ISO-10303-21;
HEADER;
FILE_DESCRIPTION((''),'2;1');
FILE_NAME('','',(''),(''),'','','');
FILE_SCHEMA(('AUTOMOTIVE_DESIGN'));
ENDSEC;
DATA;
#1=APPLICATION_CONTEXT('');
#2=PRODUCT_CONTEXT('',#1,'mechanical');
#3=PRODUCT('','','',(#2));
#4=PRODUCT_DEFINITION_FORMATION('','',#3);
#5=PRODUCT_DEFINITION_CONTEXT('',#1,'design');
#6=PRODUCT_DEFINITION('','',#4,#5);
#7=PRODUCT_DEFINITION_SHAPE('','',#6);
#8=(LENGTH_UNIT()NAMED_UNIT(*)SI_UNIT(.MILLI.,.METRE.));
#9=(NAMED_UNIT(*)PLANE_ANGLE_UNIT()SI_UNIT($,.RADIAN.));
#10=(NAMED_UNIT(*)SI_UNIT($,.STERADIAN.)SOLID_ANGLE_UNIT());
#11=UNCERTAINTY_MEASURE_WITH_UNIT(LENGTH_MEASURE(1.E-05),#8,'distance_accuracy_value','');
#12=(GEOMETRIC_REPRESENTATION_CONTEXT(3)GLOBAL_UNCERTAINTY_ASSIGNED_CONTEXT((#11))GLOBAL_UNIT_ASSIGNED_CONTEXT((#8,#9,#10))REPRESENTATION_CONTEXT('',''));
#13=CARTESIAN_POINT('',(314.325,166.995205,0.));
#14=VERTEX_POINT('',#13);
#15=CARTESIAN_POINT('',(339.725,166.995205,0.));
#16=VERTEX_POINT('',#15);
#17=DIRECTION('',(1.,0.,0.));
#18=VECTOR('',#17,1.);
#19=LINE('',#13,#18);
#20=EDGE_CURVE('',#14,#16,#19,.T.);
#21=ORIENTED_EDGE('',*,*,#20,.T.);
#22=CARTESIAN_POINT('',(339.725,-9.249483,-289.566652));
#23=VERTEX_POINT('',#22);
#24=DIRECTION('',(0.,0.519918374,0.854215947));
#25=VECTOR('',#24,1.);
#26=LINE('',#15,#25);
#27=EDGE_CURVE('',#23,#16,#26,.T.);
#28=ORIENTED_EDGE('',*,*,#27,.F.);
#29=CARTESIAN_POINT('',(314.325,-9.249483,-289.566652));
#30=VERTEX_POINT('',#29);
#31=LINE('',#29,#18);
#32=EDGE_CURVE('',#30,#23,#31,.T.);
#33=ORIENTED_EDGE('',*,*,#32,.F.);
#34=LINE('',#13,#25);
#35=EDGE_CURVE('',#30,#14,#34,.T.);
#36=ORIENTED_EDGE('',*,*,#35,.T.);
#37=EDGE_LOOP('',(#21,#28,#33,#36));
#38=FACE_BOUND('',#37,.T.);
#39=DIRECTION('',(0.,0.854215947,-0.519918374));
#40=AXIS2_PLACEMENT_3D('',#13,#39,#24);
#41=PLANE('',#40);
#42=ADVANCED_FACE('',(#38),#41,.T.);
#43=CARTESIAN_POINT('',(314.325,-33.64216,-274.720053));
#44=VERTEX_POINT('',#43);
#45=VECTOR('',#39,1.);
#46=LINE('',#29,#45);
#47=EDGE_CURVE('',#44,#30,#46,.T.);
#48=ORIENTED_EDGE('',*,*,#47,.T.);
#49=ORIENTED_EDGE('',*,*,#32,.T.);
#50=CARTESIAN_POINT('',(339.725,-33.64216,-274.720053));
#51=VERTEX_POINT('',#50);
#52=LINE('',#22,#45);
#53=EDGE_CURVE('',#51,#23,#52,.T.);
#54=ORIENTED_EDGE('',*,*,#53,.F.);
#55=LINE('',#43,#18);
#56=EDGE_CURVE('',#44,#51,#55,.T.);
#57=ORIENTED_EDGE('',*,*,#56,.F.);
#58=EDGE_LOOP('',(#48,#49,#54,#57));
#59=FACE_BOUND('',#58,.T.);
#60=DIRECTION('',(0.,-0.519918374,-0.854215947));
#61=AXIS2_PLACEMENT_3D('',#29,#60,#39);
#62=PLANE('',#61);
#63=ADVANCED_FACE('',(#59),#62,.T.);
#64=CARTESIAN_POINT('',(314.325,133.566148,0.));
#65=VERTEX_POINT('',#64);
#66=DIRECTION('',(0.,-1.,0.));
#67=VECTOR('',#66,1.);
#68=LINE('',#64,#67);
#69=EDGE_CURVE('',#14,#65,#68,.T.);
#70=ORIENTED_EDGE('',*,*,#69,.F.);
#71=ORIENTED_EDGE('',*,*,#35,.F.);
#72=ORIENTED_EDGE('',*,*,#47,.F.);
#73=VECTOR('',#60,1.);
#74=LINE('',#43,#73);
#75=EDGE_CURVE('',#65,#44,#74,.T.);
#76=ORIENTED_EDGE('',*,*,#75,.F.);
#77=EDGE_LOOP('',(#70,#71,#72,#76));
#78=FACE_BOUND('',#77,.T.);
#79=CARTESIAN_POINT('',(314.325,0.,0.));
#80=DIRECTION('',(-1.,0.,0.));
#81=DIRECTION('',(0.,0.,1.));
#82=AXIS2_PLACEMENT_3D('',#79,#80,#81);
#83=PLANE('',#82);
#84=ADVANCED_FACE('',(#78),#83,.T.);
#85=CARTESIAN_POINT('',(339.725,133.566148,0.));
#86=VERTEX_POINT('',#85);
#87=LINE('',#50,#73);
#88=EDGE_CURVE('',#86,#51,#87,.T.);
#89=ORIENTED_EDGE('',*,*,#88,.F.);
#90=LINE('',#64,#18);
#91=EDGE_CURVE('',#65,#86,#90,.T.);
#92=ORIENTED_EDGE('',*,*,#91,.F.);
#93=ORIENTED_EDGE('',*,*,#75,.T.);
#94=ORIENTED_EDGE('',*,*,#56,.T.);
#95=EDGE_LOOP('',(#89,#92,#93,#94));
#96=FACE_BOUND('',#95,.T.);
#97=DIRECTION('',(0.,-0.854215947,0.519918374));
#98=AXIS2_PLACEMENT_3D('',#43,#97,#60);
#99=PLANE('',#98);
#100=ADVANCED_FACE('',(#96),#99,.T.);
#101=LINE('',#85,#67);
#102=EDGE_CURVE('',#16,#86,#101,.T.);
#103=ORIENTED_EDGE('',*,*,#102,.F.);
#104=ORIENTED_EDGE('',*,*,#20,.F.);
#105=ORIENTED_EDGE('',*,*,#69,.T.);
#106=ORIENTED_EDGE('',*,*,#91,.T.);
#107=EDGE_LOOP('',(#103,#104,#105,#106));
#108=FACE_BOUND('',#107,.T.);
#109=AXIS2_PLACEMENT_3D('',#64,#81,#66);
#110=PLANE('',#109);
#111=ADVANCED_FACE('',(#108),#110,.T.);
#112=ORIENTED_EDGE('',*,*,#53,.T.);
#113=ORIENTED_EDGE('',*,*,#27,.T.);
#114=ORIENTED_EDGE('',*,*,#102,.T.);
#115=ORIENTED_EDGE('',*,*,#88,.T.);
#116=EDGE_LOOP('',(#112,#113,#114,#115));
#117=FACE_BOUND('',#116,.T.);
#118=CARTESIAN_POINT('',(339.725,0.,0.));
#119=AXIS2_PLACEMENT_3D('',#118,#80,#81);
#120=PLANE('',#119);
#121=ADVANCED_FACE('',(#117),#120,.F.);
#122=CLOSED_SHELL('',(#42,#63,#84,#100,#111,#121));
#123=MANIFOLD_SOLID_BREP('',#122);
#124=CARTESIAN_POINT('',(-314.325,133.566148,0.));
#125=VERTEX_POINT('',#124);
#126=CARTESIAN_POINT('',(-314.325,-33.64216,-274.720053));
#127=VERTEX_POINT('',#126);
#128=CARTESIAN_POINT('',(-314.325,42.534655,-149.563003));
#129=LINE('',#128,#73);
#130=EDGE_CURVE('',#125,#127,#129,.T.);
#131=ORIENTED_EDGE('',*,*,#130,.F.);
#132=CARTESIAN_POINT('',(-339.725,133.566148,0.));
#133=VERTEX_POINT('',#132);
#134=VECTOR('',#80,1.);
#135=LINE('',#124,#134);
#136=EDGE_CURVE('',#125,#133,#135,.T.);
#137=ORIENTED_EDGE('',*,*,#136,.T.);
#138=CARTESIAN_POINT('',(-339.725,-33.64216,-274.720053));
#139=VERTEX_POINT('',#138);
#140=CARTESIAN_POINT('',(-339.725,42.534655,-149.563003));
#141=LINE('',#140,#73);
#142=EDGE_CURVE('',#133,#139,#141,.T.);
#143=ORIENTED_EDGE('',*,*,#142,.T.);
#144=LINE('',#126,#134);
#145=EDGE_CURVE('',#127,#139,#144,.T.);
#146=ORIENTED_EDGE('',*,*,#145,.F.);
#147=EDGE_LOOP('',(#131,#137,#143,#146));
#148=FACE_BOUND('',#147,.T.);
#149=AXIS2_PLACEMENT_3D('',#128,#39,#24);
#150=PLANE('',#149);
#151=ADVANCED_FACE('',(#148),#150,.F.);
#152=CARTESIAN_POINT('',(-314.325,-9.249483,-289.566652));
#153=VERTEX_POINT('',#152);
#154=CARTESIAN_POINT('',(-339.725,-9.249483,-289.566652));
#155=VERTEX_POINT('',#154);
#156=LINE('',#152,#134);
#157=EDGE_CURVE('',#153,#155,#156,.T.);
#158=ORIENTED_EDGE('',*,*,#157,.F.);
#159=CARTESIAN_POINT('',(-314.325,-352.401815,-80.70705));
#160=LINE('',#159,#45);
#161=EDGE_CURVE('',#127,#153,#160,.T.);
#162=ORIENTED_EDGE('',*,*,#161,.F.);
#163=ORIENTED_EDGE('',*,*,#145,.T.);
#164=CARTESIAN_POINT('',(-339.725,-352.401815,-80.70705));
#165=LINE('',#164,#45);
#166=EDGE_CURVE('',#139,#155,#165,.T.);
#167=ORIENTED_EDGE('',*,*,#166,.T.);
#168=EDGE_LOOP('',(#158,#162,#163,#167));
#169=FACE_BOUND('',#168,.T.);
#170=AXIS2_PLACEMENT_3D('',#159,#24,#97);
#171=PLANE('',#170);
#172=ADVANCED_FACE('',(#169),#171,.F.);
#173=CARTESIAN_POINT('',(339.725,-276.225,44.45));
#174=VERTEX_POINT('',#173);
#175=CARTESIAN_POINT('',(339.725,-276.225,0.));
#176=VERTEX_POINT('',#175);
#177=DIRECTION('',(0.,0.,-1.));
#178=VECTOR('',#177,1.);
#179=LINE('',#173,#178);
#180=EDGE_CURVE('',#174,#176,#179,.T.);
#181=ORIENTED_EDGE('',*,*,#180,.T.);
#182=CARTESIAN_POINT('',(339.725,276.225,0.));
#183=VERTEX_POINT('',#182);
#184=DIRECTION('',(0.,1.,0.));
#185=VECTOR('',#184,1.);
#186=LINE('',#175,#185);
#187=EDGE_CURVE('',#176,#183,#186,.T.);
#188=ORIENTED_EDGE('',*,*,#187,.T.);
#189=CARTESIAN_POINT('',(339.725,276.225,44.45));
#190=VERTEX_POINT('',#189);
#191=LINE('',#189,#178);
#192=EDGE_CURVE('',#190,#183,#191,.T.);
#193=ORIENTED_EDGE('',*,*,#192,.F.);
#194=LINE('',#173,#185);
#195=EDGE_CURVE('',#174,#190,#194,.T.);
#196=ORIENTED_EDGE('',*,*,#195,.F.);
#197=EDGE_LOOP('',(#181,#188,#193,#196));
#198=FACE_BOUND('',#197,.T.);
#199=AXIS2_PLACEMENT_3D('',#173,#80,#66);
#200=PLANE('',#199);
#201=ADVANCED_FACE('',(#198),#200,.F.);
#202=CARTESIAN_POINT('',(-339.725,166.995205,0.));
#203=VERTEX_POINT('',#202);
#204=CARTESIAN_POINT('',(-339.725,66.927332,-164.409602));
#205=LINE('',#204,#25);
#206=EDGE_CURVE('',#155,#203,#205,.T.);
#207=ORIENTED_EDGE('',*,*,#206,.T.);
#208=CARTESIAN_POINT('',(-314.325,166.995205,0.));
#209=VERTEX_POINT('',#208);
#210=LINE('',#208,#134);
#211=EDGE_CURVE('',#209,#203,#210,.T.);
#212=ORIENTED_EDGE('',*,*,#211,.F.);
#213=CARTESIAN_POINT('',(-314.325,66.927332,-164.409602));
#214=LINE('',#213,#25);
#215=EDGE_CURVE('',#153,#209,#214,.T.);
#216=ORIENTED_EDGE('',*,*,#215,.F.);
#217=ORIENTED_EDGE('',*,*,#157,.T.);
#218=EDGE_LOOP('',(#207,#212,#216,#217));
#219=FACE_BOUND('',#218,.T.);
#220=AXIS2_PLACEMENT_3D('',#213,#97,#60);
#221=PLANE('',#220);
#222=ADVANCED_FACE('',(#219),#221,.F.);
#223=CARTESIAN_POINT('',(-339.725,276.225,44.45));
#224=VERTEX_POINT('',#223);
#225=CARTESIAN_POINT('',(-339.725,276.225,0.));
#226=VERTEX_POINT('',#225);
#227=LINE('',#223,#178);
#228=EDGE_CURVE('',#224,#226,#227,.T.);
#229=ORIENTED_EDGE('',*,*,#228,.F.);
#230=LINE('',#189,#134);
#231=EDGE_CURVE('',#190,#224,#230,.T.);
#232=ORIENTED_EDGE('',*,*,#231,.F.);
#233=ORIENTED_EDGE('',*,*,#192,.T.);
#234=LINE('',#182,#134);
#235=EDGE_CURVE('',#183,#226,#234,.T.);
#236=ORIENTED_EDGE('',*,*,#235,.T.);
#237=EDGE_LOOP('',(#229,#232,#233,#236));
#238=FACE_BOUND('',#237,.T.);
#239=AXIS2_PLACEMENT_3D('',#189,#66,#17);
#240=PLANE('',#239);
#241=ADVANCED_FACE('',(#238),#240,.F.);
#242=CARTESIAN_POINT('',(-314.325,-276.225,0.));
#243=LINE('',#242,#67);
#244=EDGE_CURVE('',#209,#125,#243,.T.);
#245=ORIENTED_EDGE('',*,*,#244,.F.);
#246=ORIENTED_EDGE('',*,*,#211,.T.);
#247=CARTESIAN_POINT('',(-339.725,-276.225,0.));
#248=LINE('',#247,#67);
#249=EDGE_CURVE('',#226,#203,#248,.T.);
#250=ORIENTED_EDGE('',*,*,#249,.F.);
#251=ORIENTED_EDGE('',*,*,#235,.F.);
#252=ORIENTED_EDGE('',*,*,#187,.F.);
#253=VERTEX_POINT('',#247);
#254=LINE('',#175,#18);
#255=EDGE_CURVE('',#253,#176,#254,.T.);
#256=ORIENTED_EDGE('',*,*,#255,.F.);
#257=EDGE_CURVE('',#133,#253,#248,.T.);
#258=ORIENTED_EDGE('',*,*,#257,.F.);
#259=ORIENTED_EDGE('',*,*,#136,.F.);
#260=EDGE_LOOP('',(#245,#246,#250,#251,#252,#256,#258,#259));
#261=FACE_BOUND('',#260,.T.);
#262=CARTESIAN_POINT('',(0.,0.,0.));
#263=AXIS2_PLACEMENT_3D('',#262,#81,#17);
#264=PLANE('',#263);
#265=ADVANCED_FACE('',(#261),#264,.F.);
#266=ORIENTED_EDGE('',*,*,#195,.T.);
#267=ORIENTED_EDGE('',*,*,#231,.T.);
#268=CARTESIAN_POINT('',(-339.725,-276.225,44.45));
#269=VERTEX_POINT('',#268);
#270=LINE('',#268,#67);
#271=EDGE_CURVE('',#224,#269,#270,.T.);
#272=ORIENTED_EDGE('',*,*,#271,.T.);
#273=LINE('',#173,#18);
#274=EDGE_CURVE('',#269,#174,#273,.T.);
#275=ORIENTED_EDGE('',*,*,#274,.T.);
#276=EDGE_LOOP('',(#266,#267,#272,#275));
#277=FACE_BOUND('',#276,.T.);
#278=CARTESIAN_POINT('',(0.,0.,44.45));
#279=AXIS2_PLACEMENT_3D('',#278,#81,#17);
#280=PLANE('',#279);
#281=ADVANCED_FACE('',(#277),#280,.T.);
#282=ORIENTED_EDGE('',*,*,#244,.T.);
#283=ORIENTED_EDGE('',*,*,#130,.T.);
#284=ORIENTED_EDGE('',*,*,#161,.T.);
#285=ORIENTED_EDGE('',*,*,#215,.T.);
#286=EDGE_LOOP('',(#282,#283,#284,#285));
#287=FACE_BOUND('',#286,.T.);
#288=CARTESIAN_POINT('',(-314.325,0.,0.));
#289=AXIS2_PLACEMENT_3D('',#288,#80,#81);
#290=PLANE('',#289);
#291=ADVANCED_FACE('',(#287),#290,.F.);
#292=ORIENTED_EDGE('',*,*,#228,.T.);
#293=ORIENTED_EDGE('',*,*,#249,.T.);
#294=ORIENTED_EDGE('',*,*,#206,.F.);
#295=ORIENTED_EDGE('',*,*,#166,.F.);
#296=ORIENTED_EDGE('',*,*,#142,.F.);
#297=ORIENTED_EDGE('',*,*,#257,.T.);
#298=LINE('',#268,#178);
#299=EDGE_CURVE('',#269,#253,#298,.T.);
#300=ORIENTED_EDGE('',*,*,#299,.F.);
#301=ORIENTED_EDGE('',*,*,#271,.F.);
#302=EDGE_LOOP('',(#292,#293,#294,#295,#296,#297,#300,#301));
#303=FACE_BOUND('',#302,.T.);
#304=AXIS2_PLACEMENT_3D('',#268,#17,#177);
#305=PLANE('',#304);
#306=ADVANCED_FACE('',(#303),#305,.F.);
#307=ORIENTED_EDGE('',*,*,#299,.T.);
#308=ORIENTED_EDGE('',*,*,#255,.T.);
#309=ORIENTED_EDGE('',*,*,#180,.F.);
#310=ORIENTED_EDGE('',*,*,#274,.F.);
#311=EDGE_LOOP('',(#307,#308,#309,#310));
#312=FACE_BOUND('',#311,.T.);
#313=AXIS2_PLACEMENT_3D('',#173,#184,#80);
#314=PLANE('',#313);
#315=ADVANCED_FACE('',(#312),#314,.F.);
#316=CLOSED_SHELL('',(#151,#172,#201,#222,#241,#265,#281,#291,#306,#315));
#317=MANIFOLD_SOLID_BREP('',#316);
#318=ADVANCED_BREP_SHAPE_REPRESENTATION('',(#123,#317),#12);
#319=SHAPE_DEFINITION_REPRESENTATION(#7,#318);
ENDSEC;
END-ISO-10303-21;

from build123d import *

# Parameters (mm, degrees)
SKETCH1_W           = 679.45
SKETCH1_H           = 552.45
BOSS_EXTRUDE1_DEPTH = 44.45
BOSS_EXTRUDE2_DEPTH = 25.4
BOSS_EXTRUDE3_START = -679.45
BOSS_EXTRUDE3_DEPTH = 25.4


with BuildPart() as part:
    # Sketch1 → Boss-Extrude1 (new body)
    with BuildSketch(Plane.XY):
        Rectangle(SKETCH1_W, SKETCH1_H)
    extrude(amount=BOSS_EXTRUDE1_DEPTH)

    # Sketch2<2> → Boss-Extrude3 (add)
    with BuildSketch(Plane(origin=(339.725, 0, 0), x_dir=(0, 0, -1), z_dir=(1, 0, 0)).offset(BOSS_EXTRUDE3_START)):
        Polygon((0, 166.995205226), (289.566652053, -9.249482666), (274.720053486, -33.642160214), (0, 133.566148273), align=None)
    extrude(amount=BOSS_EXTRUDE3_DEPTH)


with BuildPart() as body_2:
    # Sketch2 → Boss-Extrude2 (new body)
    with BuildSketch(Plane(origin=(339.725, 0, 0), x_dir=(0, 0, -1), z_dir=(1, 0, 0))):
        Polygon((0, 166.995205226), (289.566652053, -9.249482666), (274.720053486, -33.642160214), (0, 133.566148273), align=None)
    extrude(amount=-BOSS_EXTRUDE2_DEPTH)


solid = Compound([part.part, body_2.part])
